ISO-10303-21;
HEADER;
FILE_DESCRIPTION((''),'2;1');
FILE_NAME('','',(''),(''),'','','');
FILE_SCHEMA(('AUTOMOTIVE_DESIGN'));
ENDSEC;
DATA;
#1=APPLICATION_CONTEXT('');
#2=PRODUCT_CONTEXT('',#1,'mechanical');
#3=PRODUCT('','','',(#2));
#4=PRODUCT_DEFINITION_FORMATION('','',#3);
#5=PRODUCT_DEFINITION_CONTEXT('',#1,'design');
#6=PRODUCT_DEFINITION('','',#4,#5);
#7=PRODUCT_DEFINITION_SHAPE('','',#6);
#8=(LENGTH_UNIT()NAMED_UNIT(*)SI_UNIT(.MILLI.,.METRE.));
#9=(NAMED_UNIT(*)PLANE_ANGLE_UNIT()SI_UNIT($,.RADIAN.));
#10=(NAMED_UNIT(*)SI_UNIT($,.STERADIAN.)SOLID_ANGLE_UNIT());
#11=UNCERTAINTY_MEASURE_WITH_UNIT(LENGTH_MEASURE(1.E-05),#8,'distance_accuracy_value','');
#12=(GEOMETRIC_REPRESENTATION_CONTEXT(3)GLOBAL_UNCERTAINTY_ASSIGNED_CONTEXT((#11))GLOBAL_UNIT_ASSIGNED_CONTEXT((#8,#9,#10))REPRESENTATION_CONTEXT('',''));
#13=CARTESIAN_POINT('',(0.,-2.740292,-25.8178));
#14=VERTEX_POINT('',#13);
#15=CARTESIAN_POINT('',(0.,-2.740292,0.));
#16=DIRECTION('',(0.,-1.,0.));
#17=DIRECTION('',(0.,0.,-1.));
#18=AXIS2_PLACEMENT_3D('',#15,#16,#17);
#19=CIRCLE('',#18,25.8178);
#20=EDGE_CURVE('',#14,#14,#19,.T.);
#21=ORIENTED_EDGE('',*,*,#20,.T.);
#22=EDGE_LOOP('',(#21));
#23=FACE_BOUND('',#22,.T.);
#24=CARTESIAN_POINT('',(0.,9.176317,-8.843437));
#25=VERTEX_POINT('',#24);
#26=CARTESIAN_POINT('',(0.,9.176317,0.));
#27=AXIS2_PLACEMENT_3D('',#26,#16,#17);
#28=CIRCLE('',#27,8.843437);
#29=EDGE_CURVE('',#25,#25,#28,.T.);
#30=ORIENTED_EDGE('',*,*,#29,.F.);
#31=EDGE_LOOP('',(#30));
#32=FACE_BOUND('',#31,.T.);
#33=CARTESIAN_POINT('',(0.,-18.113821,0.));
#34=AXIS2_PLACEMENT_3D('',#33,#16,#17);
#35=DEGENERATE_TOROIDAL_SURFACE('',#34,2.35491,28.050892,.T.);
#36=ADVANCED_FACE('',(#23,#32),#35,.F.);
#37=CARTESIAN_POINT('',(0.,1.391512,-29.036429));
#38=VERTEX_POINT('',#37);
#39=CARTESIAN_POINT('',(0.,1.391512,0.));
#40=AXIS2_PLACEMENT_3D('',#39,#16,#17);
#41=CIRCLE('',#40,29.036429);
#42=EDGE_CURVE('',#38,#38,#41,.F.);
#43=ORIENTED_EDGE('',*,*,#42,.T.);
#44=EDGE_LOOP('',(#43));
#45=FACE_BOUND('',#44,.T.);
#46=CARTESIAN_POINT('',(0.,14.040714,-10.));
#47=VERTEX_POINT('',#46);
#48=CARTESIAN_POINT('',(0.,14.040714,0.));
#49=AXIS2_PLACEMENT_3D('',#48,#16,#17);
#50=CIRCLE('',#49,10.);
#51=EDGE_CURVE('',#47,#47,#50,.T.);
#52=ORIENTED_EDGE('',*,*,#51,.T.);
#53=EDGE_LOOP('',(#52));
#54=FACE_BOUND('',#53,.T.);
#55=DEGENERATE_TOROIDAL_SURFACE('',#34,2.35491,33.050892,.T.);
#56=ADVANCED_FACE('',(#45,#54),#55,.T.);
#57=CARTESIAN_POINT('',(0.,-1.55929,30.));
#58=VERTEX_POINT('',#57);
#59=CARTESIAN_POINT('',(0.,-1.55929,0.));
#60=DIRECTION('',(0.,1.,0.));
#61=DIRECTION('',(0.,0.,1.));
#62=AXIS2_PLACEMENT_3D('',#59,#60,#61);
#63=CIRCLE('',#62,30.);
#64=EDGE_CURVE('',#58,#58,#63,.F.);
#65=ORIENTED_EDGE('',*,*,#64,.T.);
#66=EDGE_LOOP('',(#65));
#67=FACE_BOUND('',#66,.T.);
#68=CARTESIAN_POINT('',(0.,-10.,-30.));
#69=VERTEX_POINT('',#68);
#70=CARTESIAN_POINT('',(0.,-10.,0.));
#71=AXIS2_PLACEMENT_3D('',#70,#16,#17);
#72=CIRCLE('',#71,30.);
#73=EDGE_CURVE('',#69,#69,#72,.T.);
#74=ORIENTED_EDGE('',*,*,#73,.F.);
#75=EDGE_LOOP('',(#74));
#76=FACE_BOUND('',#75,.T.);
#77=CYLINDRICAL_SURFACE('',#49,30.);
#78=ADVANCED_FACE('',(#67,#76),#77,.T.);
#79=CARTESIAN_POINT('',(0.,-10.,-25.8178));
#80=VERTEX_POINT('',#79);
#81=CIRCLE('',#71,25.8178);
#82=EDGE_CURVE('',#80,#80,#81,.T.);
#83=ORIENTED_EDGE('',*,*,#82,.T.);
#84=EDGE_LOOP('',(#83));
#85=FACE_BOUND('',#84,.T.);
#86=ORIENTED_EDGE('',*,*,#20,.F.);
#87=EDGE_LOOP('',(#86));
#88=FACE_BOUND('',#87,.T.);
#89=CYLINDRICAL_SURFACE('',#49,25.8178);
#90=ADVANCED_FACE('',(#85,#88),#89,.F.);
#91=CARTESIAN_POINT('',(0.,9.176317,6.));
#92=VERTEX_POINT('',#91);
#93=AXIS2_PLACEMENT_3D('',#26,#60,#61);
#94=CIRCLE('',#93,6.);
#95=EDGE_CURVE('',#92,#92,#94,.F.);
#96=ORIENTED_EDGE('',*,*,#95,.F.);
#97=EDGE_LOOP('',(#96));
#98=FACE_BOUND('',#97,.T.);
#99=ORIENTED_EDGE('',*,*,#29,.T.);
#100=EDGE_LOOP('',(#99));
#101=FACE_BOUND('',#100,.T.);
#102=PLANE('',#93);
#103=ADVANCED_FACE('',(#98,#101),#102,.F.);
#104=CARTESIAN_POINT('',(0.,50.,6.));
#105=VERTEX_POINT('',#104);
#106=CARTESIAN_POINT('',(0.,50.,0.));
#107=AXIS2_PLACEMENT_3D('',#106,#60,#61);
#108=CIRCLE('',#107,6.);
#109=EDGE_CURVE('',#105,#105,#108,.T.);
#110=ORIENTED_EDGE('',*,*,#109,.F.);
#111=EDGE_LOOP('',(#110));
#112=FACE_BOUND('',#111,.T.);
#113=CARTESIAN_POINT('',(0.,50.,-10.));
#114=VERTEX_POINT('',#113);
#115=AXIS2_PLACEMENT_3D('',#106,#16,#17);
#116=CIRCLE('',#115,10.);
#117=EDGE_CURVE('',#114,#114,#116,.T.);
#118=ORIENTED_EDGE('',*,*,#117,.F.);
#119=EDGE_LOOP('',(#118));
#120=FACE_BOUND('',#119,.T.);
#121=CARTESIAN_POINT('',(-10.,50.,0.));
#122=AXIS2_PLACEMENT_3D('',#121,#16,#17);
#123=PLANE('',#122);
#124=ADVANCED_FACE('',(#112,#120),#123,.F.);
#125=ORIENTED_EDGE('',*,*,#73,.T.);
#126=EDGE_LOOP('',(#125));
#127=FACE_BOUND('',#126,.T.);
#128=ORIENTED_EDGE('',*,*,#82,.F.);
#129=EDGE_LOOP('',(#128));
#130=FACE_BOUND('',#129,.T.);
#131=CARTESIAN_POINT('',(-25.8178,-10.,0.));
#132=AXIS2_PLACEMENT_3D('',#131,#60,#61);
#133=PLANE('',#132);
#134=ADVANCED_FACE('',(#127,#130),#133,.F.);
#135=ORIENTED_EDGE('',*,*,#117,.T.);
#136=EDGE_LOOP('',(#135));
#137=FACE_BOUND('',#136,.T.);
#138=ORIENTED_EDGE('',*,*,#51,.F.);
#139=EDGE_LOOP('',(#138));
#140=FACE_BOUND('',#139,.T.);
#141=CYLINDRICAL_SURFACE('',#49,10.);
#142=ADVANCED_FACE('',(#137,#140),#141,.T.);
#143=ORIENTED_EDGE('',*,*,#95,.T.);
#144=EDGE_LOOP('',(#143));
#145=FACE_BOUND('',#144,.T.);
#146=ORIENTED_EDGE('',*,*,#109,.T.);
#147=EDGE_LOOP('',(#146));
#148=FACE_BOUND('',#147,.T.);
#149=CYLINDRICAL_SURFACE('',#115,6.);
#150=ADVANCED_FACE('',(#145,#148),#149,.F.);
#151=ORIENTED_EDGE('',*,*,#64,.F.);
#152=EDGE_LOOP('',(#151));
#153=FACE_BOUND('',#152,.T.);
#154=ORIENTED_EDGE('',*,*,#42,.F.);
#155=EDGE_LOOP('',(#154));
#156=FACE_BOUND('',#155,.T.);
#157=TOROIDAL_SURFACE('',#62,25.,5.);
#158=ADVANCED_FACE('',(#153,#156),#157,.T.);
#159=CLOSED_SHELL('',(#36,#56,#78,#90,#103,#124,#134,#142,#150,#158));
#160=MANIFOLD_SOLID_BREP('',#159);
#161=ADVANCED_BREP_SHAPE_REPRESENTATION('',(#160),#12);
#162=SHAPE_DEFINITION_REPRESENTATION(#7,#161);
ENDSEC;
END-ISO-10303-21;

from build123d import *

# Parameters (mm, degrees)
SKIZZE4_R                       = 6
SCHNITT_LINEAR_AUSTRAGEN2_DEPTH = 51
VERRUNDUNG2_R                   = 5


with BuildPart() as part:
    # Skizze2 → Rotation2 (revolve)
    with BuildSketch(Plane.XY, mode=Mode.PRIVATE) as rotation2_sk:
        with BuildLine():
            Line((0, 14.040713887), (0, 50))
            Line((0, 50), (-10, 50))
            Line((-10, 50), (-10, 14.040713887))
            ThreePointArc((-10, 14.040713887), (-21.345292125, 8.936630056), (-30, 0))
            Line((-30, 0), (-30, -10))
            Line((-30, -10), (-25.817799793, -10))
            Line((-25.817799793, -10), (-25.817799793, -2.740292215))
            ThreePointArc((-25.817799793, -2.740292215), (-18.472392098, 4.844387952), (-8.843436705, 9.176316562))
            Line((-8.843436705, 9.176316562), (0, 9.176316562))
            Line((0, 9.176316562), (0, 14.040713887))
        make_face()
    revolve(rotation2_sk.sketch.rotate(Axis((0, 14.040713887, 0), (0, 1, 0)), 270), axis=Axis((0, 14.040713887, 0), (0, 1, 0)))  # turned: the seam where the file's is

    # Skizze4 → Schnitt-Linear austragen2 (cut, through all)
    with BuildSketch(Plane(origin=(0, 0, 0), x_dir=(1, 0, 0), z_dir=(0, 1, 0))):
        with Locations(Location((0, 0, 0), (0, 0, 270))):  # turned: the seam where the file's is
            Circle(SKIZZE4_R)
    extrude(amount=SCHNITT_LINEAR_AUSTRAGEN2_DEPTH, mode=Mode.SUBTRACT)

    # Verrundung2
    verrundung2_edges = [part.edges().sort_by_distance(p)[0] for p in [
        (0, 0, 30),
    ]]
    fillet(verrundung2_edges, radius=VERRUNDUNG2_R)


solid = part.part
